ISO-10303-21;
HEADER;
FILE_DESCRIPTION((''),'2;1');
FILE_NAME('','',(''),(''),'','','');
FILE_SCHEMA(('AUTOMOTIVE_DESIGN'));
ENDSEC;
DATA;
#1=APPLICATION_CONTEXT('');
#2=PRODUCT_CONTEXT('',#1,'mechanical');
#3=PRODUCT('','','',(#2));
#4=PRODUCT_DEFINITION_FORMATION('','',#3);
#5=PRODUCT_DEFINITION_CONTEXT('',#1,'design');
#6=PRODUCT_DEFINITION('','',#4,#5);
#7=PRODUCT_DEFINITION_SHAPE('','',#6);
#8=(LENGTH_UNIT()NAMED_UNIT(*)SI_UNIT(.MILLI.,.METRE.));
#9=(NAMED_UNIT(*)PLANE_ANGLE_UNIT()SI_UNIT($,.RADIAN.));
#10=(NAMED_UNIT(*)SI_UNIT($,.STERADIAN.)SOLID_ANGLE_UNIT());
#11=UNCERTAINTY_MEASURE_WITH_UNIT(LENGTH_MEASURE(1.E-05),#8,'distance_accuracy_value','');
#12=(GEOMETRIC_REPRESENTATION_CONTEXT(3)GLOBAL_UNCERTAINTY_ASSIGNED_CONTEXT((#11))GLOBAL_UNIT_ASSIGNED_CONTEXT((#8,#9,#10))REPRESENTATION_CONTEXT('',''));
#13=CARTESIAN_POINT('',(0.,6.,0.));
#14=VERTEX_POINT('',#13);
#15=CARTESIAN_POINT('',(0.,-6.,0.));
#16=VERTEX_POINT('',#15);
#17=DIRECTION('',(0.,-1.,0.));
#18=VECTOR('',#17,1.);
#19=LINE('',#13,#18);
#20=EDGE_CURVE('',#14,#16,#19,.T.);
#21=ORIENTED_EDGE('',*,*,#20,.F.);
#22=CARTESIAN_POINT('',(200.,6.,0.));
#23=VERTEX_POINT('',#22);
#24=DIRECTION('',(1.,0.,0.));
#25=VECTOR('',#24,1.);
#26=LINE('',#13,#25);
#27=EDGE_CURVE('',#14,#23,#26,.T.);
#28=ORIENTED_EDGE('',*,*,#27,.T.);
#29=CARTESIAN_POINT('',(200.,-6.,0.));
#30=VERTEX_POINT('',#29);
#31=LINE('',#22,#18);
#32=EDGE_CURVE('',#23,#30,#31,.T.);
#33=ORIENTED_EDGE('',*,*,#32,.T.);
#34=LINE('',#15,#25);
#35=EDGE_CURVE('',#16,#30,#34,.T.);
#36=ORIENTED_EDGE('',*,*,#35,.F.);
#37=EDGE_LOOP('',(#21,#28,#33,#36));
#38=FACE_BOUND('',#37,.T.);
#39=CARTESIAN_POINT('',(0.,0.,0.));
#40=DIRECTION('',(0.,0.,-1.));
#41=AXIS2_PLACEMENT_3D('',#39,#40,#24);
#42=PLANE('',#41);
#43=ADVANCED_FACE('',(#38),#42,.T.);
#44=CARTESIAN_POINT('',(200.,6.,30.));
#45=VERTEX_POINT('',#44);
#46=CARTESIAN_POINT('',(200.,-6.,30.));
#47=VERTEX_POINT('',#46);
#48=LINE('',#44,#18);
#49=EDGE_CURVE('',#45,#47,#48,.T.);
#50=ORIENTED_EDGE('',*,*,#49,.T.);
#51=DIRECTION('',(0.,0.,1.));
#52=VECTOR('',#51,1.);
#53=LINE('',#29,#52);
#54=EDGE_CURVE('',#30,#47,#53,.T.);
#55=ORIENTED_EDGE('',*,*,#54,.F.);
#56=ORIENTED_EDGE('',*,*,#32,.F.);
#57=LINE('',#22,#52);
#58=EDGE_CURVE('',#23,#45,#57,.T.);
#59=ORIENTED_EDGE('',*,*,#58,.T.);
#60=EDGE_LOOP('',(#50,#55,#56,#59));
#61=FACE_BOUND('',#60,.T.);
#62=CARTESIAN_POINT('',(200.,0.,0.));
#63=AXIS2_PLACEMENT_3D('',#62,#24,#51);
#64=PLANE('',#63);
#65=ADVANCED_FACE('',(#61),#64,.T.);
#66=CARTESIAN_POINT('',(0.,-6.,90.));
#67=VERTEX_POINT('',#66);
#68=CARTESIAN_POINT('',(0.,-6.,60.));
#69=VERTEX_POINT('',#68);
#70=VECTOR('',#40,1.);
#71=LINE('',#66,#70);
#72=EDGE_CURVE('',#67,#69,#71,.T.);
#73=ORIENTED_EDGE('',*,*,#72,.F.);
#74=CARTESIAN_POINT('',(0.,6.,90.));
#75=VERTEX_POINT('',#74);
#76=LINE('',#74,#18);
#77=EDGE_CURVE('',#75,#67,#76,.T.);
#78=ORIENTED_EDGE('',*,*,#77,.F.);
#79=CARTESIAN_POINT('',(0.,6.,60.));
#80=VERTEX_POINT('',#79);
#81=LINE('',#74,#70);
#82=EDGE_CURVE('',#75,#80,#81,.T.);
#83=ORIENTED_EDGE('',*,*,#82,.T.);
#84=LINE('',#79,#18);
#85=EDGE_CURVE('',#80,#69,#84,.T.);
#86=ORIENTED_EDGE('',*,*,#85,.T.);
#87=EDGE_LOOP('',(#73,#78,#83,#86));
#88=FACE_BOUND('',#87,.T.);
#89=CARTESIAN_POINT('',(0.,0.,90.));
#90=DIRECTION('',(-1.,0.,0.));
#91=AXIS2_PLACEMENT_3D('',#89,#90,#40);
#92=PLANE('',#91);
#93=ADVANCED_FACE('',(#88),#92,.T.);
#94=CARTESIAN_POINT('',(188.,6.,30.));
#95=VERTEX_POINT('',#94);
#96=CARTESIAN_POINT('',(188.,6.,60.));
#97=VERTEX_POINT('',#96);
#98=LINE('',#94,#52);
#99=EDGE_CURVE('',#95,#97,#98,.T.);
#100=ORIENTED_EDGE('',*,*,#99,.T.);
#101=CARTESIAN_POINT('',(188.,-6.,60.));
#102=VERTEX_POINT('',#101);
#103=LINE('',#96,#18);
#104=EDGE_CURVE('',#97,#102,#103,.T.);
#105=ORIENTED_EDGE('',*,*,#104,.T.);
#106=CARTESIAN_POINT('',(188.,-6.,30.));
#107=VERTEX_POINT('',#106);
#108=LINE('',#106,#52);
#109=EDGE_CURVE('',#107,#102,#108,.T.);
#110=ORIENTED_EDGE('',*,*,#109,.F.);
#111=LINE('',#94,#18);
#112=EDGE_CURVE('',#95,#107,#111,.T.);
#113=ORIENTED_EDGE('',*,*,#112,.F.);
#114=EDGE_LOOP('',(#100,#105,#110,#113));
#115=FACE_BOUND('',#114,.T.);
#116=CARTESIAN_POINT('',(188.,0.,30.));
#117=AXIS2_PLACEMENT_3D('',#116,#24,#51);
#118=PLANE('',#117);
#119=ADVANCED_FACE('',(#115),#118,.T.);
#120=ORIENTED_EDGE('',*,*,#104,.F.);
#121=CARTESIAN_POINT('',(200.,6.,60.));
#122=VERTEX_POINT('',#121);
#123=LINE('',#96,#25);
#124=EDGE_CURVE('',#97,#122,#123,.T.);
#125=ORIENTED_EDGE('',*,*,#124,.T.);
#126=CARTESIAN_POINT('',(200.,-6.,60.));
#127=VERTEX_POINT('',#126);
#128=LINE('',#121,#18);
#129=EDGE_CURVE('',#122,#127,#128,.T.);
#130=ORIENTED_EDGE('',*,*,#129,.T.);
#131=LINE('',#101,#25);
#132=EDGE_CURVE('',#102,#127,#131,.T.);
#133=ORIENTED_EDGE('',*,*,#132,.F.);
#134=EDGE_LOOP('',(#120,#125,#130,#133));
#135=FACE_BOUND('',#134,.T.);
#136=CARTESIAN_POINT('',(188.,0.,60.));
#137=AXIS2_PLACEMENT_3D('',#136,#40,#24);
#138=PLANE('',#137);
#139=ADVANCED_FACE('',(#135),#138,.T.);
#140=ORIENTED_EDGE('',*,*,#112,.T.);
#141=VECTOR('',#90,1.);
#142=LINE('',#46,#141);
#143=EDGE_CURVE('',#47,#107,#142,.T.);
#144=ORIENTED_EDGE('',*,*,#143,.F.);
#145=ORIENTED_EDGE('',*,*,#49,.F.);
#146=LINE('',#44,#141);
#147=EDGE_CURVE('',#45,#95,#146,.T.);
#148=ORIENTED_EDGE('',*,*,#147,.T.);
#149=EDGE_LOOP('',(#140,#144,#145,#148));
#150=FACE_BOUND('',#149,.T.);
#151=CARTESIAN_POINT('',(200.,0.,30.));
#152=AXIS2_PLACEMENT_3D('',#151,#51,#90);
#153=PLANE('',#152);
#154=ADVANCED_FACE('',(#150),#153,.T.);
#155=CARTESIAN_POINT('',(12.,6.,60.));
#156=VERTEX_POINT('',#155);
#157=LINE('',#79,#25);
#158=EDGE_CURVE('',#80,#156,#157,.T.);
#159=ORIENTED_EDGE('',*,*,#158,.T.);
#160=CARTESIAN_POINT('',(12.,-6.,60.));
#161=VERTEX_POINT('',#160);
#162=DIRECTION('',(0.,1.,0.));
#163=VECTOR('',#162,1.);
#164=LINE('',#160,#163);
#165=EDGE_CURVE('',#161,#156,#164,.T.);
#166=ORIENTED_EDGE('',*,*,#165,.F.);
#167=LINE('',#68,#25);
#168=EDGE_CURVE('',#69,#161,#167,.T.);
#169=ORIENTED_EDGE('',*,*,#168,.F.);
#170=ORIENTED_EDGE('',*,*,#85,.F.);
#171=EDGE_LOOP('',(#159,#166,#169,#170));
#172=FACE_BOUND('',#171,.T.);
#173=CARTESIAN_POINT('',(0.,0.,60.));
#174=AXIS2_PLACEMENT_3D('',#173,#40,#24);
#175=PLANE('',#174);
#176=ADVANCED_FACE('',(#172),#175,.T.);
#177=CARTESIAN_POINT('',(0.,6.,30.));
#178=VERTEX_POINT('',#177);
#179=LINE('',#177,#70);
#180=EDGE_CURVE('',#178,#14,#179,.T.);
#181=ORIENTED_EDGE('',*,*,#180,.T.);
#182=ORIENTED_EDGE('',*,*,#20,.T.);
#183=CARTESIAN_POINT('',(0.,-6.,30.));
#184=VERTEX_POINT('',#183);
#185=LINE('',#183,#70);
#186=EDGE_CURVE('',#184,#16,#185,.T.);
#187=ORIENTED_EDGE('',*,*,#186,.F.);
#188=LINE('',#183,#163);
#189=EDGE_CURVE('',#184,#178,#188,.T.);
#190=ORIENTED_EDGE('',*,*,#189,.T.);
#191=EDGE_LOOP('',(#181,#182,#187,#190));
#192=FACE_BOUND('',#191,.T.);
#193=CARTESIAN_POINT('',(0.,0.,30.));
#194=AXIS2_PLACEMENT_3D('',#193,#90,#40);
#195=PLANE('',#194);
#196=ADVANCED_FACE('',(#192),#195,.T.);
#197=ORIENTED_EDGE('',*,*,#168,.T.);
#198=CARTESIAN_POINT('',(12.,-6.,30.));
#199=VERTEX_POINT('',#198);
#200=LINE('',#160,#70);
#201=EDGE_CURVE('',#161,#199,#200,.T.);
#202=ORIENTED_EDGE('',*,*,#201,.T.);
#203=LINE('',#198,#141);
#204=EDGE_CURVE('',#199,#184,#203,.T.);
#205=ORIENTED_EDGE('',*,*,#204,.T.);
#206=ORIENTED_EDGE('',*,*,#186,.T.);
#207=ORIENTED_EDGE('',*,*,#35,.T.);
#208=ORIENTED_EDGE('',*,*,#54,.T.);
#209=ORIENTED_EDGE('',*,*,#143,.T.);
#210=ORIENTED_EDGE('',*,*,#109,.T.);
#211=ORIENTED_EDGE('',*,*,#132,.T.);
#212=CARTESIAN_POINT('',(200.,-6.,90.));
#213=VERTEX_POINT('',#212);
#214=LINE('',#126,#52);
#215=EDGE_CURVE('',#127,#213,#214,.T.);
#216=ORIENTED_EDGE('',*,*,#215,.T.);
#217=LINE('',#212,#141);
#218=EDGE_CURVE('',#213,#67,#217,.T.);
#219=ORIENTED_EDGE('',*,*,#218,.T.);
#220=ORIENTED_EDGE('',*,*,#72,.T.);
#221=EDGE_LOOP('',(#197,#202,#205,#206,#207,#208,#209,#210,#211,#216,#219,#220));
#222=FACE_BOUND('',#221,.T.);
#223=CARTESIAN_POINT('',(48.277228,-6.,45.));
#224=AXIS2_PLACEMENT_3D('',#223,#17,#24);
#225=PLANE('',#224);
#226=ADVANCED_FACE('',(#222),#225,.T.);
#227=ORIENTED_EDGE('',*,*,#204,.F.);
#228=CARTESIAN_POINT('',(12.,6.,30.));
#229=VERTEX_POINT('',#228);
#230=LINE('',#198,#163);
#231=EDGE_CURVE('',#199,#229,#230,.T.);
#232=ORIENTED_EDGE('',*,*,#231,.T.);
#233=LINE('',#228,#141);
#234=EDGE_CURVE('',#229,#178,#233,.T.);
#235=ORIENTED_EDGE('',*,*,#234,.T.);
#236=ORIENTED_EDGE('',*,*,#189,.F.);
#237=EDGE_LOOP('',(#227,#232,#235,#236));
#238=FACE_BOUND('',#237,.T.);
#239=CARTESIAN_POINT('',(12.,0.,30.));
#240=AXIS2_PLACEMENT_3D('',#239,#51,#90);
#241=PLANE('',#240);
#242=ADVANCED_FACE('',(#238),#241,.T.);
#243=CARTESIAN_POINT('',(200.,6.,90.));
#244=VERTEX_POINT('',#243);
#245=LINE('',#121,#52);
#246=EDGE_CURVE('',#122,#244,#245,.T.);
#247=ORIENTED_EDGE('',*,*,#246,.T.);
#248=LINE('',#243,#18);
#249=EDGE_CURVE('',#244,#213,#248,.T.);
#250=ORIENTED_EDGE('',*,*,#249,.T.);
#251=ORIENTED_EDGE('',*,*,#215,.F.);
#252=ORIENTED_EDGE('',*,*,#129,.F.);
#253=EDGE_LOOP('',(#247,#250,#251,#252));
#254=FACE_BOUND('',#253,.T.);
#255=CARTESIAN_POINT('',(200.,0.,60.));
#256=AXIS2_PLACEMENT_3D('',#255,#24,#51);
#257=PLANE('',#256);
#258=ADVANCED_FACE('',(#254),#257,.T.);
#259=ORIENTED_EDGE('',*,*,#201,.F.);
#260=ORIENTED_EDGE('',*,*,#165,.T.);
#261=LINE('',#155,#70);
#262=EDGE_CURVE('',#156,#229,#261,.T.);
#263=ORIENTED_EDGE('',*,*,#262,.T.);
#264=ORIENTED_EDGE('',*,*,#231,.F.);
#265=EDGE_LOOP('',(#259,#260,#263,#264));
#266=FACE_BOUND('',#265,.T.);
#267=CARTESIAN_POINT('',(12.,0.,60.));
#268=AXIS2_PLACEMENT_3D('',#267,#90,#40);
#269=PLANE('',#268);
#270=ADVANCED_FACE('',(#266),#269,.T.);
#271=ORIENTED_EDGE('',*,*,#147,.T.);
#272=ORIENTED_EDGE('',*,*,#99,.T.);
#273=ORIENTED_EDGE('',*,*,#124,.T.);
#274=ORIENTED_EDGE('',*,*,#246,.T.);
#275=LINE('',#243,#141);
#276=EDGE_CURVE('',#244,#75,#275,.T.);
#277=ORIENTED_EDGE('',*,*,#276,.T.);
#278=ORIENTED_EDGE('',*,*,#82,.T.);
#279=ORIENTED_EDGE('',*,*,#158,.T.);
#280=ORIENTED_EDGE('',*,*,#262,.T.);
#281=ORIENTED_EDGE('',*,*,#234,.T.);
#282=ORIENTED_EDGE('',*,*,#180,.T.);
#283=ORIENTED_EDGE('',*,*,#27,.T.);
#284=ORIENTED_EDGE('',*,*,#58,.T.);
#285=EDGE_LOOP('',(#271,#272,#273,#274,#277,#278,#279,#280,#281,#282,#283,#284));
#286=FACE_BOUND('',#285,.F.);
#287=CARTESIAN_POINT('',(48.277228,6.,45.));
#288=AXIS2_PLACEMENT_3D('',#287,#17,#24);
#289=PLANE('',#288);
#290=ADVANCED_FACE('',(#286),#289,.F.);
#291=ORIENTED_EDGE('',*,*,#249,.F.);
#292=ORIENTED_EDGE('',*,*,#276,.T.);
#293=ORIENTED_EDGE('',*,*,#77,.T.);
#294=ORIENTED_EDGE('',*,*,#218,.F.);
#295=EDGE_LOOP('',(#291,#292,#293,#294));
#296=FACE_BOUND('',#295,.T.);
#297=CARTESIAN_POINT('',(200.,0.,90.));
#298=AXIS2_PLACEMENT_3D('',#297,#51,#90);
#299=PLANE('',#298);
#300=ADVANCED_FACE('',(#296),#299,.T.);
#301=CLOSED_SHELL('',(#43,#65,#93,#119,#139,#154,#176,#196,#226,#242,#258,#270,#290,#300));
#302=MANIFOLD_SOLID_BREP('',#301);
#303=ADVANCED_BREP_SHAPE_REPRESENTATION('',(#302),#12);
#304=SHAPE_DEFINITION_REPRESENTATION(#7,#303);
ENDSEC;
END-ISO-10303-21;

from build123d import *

# Parameters (mm, degrees)
F1_DEPTH = 6


with BuildPart() as f1:
    # F0 (on Front) → F1 (new body, symmetric)
    with BuildSketch(Plane.XZ):
        Polygon((0, 30), (0, 0), (100, 0), (100, 90), (12, 90), (0, 90), (0, 60), (12, 60), (12, 30), align=None)
        Polygon((100, 90), (100, 0), (200, 0), (200, 30), (188, 30), (188, 60), (200, 60), (200, 90), (188, 90), align=None)
    extrude(amount=F1_DEPTH, both=True)


solid = f1.part
